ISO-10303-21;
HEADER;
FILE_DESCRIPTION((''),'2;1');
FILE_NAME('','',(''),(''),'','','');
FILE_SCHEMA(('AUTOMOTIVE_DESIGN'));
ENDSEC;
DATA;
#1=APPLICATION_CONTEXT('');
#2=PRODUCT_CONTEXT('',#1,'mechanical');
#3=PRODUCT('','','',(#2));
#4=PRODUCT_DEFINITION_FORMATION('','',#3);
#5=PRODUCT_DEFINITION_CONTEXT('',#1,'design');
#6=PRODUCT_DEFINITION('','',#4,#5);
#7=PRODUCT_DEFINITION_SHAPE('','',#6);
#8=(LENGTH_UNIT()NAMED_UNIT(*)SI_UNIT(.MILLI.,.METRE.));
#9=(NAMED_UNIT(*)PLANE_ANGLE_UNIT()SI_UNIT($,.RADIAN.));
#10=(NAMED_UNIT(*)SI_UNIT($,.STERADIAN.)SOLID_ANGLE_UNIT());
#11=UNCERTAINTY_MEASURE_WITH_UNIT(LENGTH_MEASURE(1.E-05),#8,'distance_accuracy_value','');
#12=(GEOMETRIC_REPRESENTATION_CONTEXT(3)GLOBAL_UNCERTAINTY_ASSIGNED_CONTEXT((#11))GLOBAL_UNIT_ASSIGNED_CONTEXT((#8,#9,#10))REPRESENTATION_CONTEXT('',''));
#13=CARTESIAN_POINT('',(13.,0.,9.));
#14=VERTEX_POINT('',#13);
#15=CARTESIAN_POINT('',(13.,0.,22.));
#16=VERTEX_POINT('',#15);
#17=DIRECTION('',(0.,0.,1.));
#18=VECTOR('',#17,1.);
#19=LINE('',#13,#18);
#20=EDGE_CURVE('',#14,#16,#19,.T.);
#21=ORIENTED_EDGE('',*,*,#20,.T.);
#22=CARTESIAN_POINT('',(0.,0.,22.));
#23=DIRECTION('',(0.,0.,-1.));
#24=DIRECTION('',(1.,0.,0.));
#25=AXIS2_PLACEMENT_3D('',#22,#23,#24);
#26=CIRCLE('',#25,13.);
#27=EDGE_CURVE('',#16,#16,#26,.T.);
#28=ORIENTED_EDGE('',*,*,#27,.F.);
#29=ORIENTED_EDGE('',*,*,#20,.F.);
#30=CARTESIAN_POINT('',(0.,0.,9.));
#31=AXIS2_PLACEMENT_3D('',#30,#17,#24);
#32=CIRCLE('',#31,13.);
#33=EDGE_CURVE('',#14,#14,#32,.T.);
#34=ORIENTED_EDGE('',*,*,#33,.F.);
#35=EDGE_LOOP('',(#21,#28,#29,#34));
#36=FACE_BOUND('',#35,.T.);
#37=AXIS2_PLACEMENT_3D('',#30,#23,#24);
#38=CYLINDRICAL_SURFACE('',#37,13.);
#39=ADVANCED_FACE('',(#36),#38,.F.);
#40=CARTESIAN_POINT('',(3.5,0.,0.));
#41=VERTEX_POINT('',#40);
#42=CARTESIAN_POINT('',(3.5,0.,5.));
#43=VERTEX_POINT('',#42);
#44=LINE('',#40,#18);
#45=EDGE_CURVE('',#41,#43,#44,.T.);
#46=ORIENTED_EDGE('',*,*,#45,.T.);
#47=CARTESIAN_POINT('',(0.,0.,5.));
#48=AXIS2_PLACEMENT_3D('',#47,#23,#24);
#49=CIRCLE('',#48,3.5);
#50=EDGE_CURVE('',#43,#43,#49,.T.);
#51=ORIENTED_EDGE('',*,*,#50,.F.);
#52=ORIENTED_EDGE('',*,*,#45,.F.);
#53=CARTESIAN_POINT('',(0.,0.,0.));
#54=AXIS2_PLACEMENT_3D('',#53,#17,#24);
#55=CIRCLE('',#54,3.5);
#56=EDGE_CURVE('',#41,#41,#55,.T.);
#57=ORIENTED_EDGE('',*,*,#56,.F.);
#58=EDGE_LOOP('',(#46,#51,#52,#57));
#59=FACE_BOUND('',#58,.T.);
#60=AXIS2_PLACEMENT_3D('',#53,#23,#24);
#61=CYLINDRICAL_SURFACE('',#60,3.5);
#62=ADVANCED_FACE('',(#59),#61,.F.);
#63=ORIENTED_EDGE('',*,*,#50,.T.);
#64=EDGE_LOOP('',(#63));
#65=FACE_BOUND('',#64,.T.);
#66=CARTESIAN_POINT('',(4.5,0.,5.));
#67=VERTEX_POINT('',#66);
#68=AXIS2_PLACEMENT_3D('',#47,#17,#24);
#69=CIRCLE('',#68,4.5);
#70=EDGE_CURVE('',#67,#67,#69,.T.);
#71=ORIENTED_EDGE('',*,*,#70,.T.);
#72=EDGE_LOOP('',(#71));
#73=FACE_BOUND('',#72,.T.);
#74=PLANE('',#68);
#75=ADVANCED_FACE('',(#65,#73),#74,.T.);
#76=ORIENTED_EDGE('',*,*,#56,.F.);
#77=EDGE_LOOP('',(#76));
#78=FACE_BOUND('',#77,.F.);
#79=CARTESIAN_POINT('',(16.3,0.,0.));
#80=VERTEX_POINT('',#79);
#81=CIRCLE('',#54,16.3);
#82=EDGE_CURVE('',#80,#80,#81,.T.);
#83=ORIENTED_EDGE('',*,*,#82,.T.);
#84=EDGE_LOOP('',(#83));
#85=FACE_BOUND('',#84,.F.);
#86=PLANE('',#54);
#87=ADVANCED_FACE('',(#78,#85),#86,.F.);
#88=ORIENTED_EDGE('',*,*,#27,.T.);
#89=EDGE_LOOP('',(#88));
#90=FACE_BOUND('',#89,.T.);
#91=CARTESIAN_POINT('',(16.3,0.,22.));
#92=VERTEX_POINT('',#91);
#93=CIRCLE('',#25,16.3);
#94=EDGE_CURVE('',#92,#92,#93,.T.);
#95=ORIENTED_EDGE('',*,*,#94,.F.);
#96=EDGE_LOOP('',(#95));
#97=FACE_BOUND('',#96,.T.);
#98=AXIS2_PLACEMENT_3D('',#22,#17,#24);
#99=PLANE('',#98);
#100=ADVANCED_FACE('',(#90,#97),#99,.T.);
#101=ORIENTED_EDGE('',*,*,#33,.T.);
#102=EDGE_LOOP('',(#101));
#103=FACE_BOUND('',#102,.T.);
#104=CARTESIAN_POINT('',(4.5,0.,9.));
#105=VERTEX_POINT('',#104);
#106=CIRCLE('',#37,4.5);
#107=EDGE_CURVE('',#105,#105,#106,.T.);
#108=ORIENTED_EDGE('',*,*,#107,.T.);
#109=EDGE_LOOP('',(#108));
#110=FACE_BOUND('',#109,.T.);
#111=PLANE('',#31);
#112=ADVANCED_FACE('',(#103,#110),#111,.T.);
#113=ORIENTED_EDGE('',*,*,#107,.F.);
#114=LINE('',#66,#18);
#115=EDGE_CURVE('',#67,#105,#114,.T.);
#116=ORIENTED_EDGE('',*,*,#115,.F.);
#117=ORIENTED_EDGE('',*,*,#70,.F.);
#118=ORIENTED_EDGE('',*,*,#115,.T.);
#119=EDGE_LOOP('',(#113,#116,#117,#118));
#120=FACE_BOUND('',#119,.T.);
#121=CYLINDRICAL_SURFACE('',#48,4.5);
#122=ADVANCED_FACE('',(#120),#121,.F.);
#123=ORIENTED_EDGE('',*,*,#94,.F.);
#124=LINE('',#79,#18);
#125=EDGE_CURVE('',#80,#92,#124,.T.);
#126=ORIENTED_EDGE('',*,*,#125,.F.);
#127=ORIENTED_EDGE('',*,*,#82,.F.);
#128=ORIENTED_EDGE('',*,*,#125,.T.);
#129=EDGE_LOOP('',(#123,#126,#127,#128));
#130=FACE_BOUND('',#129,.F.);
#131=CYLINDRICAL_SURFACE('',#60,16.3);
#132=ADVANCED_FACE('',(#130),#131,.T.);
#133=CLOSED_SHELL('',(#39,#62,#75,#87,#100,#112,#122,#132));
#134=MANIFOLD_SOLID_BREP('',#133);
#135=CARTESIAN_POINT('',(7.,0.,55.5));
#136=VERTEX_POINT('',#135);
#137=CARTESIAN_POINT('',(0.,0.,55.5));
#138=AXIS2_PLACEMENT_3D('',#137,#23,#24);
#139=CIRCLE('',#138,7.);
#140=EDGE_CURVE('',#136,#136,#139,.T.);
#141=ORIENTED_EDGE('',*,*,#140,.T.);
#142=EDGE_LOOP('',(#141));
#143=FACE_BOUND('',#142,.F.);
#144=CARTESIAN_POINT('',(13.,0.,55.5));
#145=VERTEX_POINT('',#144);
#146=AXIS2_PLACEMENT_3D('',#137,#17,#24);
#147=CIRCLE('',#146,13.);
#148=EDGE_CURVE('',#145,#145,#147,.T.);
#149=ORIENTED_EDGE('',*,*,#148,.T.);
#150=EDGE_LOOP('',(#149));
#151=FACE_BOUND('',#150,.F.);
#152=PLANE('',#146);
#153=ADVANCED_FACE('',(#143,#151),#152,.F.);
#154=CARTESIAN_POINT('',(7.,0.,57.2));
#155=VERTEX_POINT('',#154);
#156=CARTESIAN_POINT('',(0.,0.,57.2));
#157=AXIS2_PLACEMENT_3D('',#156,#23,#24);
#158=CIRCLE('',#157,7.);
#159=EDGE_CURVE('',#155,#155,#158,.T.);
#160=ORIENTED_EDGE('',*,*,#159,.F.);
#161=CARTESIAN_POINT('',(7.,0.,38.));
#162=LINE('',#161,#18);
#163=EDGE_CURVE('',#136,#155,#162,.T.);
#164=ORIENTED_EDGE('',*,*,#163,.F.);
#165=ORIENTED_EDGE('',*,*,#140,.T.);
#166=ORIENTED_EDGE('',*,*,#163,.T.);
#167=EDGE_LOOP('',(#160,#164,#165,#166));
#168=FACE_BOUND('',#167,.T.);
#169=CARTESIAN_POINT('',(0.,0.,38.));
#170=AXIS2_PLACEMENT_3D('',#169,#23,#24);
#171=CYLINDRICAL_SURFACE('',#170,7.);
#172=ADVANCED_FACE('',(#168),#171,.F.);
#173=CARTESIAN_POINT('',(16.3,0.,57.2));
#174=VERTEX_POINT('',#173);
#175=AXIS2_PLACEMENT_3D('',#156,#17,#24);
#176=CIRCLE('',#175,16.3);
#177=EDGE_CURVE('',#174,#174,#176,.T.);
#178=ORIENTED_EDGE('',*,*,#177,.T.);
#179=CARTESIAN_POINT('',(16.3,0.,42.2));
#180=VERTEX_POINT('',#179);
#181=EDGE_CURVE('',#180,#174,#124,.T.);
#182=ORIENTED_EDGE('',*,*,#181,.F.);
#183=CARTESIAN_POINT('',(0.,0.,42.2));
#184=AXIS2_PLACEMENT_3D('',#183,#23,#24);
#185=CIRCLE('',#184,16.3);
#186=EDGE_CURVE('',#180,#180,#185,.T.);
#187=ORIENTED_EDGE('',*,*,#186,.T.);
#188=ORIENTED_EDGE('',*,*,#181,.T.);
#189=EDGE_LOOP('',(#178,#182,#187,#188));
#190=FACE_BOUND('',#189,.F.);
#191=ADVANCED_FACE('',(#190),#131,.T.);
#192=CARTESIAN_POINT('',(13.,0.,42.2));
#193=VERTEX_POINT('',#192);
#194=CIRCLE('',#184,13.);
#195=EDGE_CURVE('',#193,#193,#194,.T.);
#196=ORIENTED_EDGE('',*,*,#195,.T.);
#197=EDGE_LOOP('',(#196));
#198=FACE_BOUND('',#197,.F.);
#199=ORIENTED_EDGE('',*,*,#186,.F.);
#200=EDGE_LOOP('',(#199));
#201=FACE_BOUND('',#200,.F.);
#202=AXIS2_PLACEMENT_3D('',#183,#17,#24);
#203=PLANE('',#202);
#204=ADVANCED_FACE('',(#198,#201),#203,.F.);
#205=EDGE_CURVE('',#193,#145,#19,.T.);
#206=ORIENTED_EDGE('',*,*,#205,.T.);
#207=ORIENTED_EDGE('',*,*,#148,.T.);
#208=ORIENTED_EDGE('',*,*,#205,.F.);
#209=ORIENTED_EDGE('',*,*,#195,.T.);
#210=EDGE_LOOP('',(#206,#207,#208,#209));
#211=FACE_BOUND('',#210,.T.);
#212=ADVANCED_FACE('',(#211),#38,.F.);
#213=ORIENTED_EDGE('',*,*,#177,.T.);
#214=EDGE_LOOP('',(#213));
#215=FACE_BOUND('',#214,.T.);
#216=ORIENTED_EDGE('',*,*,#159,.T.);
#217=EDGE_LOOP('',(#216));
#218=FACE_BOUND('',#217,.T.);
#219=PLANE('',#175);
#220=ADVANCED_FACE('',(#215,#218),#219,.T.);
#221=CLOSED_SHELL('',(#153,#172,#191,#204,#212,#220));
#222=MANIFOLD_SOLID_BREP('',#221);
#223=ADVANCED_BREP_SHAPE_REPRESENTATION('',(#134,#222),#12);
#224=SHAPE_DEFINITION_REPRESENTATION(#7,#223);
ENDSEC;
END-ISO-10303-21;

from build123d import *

# Parameters (mm, degrees)
CYLINDER003_R     = 20
CYLINDER003_DEPTH = 20.2
CYLINDER004_R     = 7
CYLINDER004_DEPTH = 20
CYLINDER002_R     = 3.5
CYLINDER002_DEPTH = 20
CYLINDER005_R     = 4.5
CYLINDER005_DEPTH = 20
CYLINDER001_R     = 13
CYLINDER001_DEPTH = 46.5
CYLINDER_R        = 16.3
CYLINDER_DEPTH    = 57.2


with BuildPart() as cylinder003:
    # Cylinder003 → Cylinder003 (new body)
    with BuildSketch(Plane.XY.offset(22)):
        Circle(CYLINDER003_R)
    extrude(amount=CYLINDER003_DEPTH)


with BuildPart() as cylinder004:
    # Cylinder004 → Cylinder004 (new body)
    with BuildSketch(Plane.XY.offset(38)):
        Circle(CYLINDER004_R)
    extrude(amount=CYLINDER004_DEPTH)


with BuildPart() as cylinder002:
    # Cylinder002 → Cylinder002 (new body)
    with BuildSketch(Plane.XY):
        Circle(CYLINDER002_R)
    extrude(amount=CYLINDER002_DEPTH)


with BuildPart() as cylinder005:
    # Cylinder005 → Cylinder005 (new body)
    with BuildSketch(Plane.XY.offset(5)):
        Circle(CYLINDER005_R)
    extrude(amount=CYLINDER005_DEPTH)


with BuildPart() as fusion:
    # Cylinder001 → Cylinder001 (new body)
    with BuildSketch(Plane.XY.offset(9)):
        Circle(CYLINDER001_R)
    extrude(amount=CYLINDER001_DEPTH)

    # Fusion: union Cylinder004, Cylinder002, Cylinder005
    add(cylinder004.part)
    add(cylinder002.part)
    add(cylinder005.part)


with BuildPart() as cut001:
    # Cylinder → Cylinder (new body)
    with BuildSketch(Plane.XY):
        Circle(CYLINDER_R)
    extrude(amount=CYLINDER_DEPTH)

    # Cut: cut Fusion
    add(fusion.part, mode=Mode.SUBTRACT)

    # Cut001: cut Cylinder003
    add(cylinder003.part, mode=Mode.SUBTRACT)


solid = cut001.part
